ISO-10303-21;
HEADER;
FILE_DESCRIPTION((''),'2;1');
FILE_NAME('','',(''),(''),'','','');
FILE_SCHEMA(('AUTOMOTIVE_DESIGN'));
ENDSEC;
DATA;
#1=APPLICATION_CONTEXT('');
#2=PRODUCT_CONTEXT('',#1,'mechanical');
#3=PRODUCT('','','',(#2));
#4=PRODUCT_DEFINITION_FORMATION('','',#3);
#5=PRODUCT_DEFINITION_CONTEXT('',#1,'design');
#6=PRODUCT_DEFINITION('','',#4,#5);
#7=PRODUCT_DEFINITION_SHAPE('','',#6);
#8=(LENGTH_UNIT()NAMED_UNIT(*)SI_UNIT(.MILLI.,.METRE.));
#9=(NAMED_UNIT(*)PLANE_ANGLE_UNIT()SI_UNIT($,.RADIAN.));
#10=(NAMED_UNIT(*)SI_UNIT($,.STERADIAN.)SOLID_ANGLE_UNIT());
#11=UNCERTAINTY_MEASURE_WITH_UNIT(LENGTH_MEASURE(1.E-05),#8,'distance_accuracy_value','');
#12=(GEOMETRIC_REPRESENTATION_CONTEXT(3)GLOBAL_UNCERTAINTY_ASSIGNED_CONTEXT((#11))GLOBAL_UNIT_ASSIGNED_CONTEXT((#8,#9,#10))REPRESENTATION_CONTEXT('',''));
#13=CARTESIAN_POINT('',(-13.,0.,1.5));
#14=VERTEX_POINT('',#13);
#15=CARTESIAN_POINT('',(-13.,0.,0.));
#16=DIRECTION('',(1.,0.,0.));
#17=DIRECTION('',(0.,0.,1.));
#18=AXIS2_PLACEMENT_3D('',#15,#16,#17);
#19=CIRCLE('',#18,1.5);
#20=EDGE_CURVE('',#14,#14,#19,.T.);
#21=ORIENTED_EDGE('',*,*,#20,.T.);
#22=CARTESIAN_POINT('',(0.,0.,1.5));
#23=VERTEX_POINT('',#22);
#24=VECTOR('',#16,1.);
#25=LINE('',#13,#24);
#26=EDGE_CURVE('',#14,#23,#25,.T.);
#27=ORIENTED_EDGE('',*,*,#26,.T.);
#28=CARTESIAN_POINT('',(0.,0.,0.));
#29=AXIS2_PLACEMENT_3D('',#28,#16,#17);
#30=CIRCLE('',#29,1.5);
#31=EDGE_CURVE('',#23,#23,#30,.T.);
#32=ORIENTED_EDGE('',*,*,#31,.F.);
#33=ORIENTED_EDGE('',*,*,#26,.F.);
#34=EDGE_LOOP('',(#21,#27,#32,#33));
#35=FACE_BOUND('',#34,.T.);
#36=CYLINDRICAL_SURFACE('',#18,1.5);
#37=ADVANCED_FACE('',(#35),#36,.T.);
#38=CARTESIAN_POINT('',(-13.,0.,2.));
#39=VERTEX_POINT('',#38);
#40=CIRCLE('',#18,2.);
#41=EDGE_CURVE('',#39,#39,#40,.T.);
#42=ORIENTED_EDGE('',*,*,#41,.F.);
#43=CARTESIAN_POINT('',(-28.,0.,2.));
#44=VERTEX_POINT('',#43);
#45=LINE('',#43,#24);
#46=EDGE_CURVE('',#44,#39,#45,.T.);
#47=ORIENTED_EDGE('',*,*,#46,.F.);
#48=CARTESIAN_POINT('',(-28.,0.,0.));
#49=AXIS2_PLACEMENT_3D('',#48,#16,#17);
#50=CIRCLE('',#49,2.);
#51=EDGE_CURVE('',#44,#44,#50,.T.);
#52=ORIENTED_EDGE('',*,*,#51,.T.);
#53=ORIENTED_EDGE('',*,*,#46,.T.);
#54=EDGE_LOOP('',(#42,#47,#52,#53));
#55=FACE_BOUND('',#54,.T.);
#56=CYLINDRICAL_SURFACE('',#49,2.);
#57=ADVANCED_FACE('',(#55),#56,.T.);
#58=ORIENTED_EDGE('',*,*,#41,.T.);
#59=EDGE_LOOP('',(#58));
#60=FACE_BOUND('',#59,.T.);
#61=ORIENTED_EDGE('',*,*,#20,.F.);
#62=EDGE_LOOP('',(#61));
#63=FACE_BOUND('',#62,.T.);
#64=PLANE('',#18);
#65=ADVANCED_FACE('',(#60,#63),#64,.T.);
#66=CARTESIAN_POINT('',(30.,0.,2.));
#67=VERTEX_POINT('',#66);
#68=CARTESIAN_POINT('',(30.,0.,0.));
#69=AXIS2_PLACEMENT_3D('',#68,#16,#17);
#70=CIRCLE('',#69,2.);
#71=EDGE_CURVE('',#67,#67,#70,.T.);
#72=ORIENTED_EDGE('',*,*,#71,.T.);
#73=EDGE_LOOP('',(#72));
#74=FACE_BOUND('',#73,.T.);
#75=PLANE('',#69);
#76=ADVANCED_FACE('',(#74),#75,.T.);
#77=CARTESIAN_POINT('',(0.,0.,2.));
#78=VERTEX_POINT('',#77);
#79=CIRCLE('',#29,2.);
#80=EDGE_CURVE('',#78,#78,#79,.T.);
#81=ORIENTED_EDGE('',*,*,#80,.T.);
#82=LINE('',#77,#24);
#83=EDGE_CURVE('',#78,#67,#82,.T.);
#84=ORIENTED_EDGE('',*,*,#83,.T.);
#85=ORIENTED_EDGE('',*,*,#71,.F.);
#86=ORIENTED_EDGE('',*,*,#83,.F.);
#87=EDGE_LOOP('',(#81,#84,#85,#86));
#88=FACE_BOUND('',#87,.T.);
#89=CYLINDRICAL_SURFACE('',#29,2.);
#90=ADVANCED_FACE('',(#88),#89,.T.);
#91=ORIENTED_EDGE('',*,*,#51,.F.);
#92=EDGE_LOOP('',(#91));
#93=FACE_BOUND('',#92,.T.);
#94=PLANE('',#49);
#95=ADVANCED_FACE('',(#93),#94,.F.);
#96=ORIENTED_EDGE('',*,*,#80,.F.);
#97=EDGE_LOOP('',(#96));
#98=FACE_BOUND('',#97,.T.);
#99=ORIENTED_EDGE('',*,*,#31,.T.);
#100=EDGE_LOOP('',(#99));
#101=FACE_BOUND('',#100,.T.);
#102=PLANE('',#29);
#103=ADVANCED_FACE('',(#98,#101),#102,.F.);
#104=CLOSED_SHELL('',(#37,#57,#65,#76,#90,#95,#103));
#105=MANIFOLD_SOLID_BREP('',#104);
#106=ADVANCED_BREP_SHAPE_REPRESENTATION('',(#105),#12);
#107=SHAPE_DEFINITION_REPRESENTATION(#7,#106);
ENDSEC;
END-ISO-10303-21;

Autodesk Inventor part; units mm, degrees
ref_plane "YZ Plane" through (0, 0, 0) normal (1, 0, 0) x (0, 1, 0)
ref_plane "XZ Plane" through (0, 0, 0) normal (0, 1, 0) x (-1, 0, 0)
ref_plane "XY Plane" through (0, 0, 0) normal (0, 0, 1) x (1, 0, 0)
sketch "Sketch1" plane through (0, 0, 0) normal (0, 1, 0) x (-1, 0, 0)
  line L0 (13, 2) -> (13, 1.5)
  line L1 (13, 1.5) -> (0, 1.5)
  line L2 (28, 0) -> (28, 2)
  line L3 (28, 2) -> (13, 2)
  line L4 (0, 1.5) -> (0, 2)
  line L5 (0, 2) -> (-30, 2)
  line L6 (-30, 2) -> (-30, 0)
  line L7 (28, 0) -> (0, 0)
  line L8 (0, 0) -> (-30, 0)
  dimension "d5" = 0.5
  dimension "d6" = 15
  dimension "d7" = 0.5
  dimension "d8" = 2
  dimension "d9" = 28
  dimension "d10" = 30
  dimension "d12" = 4
revolve "Revolution1" add sketch "Sketch1" angle 360 about axis through (-28, 0, 0) along (1, 0, 0)
equation "\"d6\" = parA"
equation "\"d9\" = parH"
equation "\"d10\" = stroke"
equation "\"parA\" = 15"
equation "\"parH\" = 28"
equation "\"stroke\" = 30"
properties part number "cylinderRod"
